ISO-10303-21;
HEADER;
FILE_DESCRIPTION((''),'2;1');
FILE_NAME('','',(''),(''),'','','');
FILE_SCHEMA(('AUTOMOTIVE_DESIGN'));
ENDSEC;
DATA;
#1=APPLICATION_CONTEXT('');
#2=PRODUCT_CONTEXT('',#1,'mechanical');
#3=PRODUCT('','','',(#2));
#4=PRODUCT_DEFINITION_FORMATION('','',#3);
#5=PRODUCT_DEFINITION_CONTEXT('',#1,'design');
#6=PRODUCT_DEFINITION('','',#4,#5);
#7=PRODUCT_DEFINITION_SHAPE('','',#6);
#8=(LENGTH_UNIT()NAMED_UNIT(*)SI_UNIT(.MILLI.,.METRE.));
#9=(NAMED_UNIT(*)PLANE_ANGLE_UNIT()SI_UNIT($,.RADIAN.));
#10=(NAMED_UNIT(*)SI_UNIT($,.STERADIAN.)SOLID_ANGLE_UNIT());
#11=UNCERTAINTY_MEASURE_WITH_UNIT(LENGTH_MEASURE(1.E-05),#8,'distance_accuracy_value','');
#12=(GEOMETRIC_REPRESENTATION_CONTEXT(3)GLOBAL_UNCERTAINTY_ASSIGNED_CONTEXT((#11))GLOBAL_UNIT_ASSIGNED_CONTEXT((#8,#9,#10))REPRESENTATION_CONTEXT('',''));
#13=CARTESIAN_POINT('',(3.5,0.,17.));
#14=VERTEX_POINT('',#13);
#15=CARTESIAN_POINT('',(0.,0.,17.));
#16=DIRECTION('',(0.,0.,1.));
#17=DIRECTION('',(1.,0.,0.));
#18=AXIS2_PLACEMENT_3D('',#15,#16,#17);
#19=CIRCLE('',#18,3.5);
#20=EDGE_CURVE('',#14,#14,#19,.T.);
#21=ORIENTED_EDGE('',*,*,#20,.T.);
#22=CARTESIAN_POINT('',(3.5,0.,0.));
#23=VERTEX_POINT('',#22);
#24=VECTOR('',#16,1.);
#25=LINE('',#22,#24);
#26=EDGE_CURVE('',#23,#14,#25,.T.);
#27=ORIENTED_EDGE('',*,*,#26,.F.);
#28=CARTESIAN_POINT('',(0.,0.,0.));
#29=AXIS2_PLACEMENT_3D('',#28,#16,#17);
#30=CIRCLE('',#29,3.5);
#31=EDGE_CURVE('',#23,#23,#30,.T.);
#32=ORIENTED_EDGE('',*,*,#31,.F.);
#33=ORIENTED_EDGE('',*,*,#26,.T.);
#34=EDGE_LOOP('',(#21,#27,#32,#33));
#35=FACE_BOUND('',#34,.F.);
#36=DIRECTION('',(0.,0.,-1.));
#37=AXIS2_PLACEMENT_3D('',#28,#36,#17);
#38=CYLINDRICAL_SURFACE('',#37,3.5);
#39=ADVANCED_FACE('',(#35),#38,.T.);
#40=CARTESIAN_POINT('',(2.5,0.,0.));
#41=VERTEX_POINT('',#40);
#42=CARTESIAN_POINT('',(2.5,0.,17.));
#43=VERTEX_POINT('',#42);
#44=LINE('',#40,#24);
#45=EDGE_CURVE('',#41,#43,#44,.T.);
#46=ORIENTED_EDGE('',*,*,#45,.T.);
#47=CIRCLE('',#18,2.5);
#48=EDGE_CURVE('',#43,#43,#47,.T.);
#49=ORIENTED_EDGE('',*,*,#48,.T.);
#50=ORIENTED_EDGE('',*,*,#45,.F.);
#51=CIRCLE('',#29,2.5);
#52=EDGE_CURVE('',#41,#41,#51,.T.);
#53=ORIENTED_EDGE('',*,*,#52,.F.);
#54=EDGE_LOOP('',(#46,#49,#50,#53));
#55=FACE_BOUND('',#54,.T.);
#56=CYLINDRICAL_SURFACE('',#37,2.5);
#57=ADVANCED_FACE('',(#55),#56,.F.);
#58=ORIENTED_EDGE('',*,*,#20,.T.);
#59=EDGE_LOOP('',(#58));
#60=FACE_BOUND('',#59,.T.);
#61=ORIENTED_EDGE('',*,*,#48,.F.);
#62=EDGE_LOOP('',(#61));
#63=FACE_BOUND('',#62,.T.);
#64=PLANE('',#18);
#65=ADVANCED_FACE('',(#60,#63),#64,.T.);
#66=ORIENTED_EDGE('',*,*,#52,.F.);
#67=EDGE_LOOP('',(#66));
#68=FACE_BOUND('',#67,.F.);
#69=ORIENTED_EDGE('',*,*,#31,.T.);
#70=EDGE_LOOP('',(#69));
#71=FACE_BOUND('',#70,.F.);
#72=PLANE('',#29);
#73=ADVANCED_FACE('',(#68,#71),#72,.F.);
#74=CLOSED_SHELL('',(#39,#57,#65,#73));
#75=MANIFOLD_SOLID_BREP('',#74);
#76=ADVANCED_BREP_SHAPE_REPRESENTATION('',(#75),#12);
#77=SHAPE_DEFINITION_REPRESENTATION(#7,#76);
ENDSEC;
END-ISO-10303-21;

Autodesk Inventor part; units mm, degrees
ref_plane "YZ Plane" through (0, 0, 0) normal (1, 0, 0) x (0, 1, 0)
ref_plane "XZ Plane" through (0, 0, 0) normal (0, 1, 0) x (-1, 0, 0)
ref_plane "XY Plane" through (0, 0, 0) normal (0, 0, 1) x (1, 0, 0)
sketch "Sketch1" plane through (0, 0, 0) normal (0, 0, 1) x (1, 0, 0)
  circle A0 centre (0, 0) radius 2.5
  circle A1 centre (0, 0) radius 3.5
  dimension "d0" = 5
  dimension "d1" = 1
extrude "Extrusion1" add sketch "Sketch1" along normal blind 17
properties part number "LED_Spacer"
